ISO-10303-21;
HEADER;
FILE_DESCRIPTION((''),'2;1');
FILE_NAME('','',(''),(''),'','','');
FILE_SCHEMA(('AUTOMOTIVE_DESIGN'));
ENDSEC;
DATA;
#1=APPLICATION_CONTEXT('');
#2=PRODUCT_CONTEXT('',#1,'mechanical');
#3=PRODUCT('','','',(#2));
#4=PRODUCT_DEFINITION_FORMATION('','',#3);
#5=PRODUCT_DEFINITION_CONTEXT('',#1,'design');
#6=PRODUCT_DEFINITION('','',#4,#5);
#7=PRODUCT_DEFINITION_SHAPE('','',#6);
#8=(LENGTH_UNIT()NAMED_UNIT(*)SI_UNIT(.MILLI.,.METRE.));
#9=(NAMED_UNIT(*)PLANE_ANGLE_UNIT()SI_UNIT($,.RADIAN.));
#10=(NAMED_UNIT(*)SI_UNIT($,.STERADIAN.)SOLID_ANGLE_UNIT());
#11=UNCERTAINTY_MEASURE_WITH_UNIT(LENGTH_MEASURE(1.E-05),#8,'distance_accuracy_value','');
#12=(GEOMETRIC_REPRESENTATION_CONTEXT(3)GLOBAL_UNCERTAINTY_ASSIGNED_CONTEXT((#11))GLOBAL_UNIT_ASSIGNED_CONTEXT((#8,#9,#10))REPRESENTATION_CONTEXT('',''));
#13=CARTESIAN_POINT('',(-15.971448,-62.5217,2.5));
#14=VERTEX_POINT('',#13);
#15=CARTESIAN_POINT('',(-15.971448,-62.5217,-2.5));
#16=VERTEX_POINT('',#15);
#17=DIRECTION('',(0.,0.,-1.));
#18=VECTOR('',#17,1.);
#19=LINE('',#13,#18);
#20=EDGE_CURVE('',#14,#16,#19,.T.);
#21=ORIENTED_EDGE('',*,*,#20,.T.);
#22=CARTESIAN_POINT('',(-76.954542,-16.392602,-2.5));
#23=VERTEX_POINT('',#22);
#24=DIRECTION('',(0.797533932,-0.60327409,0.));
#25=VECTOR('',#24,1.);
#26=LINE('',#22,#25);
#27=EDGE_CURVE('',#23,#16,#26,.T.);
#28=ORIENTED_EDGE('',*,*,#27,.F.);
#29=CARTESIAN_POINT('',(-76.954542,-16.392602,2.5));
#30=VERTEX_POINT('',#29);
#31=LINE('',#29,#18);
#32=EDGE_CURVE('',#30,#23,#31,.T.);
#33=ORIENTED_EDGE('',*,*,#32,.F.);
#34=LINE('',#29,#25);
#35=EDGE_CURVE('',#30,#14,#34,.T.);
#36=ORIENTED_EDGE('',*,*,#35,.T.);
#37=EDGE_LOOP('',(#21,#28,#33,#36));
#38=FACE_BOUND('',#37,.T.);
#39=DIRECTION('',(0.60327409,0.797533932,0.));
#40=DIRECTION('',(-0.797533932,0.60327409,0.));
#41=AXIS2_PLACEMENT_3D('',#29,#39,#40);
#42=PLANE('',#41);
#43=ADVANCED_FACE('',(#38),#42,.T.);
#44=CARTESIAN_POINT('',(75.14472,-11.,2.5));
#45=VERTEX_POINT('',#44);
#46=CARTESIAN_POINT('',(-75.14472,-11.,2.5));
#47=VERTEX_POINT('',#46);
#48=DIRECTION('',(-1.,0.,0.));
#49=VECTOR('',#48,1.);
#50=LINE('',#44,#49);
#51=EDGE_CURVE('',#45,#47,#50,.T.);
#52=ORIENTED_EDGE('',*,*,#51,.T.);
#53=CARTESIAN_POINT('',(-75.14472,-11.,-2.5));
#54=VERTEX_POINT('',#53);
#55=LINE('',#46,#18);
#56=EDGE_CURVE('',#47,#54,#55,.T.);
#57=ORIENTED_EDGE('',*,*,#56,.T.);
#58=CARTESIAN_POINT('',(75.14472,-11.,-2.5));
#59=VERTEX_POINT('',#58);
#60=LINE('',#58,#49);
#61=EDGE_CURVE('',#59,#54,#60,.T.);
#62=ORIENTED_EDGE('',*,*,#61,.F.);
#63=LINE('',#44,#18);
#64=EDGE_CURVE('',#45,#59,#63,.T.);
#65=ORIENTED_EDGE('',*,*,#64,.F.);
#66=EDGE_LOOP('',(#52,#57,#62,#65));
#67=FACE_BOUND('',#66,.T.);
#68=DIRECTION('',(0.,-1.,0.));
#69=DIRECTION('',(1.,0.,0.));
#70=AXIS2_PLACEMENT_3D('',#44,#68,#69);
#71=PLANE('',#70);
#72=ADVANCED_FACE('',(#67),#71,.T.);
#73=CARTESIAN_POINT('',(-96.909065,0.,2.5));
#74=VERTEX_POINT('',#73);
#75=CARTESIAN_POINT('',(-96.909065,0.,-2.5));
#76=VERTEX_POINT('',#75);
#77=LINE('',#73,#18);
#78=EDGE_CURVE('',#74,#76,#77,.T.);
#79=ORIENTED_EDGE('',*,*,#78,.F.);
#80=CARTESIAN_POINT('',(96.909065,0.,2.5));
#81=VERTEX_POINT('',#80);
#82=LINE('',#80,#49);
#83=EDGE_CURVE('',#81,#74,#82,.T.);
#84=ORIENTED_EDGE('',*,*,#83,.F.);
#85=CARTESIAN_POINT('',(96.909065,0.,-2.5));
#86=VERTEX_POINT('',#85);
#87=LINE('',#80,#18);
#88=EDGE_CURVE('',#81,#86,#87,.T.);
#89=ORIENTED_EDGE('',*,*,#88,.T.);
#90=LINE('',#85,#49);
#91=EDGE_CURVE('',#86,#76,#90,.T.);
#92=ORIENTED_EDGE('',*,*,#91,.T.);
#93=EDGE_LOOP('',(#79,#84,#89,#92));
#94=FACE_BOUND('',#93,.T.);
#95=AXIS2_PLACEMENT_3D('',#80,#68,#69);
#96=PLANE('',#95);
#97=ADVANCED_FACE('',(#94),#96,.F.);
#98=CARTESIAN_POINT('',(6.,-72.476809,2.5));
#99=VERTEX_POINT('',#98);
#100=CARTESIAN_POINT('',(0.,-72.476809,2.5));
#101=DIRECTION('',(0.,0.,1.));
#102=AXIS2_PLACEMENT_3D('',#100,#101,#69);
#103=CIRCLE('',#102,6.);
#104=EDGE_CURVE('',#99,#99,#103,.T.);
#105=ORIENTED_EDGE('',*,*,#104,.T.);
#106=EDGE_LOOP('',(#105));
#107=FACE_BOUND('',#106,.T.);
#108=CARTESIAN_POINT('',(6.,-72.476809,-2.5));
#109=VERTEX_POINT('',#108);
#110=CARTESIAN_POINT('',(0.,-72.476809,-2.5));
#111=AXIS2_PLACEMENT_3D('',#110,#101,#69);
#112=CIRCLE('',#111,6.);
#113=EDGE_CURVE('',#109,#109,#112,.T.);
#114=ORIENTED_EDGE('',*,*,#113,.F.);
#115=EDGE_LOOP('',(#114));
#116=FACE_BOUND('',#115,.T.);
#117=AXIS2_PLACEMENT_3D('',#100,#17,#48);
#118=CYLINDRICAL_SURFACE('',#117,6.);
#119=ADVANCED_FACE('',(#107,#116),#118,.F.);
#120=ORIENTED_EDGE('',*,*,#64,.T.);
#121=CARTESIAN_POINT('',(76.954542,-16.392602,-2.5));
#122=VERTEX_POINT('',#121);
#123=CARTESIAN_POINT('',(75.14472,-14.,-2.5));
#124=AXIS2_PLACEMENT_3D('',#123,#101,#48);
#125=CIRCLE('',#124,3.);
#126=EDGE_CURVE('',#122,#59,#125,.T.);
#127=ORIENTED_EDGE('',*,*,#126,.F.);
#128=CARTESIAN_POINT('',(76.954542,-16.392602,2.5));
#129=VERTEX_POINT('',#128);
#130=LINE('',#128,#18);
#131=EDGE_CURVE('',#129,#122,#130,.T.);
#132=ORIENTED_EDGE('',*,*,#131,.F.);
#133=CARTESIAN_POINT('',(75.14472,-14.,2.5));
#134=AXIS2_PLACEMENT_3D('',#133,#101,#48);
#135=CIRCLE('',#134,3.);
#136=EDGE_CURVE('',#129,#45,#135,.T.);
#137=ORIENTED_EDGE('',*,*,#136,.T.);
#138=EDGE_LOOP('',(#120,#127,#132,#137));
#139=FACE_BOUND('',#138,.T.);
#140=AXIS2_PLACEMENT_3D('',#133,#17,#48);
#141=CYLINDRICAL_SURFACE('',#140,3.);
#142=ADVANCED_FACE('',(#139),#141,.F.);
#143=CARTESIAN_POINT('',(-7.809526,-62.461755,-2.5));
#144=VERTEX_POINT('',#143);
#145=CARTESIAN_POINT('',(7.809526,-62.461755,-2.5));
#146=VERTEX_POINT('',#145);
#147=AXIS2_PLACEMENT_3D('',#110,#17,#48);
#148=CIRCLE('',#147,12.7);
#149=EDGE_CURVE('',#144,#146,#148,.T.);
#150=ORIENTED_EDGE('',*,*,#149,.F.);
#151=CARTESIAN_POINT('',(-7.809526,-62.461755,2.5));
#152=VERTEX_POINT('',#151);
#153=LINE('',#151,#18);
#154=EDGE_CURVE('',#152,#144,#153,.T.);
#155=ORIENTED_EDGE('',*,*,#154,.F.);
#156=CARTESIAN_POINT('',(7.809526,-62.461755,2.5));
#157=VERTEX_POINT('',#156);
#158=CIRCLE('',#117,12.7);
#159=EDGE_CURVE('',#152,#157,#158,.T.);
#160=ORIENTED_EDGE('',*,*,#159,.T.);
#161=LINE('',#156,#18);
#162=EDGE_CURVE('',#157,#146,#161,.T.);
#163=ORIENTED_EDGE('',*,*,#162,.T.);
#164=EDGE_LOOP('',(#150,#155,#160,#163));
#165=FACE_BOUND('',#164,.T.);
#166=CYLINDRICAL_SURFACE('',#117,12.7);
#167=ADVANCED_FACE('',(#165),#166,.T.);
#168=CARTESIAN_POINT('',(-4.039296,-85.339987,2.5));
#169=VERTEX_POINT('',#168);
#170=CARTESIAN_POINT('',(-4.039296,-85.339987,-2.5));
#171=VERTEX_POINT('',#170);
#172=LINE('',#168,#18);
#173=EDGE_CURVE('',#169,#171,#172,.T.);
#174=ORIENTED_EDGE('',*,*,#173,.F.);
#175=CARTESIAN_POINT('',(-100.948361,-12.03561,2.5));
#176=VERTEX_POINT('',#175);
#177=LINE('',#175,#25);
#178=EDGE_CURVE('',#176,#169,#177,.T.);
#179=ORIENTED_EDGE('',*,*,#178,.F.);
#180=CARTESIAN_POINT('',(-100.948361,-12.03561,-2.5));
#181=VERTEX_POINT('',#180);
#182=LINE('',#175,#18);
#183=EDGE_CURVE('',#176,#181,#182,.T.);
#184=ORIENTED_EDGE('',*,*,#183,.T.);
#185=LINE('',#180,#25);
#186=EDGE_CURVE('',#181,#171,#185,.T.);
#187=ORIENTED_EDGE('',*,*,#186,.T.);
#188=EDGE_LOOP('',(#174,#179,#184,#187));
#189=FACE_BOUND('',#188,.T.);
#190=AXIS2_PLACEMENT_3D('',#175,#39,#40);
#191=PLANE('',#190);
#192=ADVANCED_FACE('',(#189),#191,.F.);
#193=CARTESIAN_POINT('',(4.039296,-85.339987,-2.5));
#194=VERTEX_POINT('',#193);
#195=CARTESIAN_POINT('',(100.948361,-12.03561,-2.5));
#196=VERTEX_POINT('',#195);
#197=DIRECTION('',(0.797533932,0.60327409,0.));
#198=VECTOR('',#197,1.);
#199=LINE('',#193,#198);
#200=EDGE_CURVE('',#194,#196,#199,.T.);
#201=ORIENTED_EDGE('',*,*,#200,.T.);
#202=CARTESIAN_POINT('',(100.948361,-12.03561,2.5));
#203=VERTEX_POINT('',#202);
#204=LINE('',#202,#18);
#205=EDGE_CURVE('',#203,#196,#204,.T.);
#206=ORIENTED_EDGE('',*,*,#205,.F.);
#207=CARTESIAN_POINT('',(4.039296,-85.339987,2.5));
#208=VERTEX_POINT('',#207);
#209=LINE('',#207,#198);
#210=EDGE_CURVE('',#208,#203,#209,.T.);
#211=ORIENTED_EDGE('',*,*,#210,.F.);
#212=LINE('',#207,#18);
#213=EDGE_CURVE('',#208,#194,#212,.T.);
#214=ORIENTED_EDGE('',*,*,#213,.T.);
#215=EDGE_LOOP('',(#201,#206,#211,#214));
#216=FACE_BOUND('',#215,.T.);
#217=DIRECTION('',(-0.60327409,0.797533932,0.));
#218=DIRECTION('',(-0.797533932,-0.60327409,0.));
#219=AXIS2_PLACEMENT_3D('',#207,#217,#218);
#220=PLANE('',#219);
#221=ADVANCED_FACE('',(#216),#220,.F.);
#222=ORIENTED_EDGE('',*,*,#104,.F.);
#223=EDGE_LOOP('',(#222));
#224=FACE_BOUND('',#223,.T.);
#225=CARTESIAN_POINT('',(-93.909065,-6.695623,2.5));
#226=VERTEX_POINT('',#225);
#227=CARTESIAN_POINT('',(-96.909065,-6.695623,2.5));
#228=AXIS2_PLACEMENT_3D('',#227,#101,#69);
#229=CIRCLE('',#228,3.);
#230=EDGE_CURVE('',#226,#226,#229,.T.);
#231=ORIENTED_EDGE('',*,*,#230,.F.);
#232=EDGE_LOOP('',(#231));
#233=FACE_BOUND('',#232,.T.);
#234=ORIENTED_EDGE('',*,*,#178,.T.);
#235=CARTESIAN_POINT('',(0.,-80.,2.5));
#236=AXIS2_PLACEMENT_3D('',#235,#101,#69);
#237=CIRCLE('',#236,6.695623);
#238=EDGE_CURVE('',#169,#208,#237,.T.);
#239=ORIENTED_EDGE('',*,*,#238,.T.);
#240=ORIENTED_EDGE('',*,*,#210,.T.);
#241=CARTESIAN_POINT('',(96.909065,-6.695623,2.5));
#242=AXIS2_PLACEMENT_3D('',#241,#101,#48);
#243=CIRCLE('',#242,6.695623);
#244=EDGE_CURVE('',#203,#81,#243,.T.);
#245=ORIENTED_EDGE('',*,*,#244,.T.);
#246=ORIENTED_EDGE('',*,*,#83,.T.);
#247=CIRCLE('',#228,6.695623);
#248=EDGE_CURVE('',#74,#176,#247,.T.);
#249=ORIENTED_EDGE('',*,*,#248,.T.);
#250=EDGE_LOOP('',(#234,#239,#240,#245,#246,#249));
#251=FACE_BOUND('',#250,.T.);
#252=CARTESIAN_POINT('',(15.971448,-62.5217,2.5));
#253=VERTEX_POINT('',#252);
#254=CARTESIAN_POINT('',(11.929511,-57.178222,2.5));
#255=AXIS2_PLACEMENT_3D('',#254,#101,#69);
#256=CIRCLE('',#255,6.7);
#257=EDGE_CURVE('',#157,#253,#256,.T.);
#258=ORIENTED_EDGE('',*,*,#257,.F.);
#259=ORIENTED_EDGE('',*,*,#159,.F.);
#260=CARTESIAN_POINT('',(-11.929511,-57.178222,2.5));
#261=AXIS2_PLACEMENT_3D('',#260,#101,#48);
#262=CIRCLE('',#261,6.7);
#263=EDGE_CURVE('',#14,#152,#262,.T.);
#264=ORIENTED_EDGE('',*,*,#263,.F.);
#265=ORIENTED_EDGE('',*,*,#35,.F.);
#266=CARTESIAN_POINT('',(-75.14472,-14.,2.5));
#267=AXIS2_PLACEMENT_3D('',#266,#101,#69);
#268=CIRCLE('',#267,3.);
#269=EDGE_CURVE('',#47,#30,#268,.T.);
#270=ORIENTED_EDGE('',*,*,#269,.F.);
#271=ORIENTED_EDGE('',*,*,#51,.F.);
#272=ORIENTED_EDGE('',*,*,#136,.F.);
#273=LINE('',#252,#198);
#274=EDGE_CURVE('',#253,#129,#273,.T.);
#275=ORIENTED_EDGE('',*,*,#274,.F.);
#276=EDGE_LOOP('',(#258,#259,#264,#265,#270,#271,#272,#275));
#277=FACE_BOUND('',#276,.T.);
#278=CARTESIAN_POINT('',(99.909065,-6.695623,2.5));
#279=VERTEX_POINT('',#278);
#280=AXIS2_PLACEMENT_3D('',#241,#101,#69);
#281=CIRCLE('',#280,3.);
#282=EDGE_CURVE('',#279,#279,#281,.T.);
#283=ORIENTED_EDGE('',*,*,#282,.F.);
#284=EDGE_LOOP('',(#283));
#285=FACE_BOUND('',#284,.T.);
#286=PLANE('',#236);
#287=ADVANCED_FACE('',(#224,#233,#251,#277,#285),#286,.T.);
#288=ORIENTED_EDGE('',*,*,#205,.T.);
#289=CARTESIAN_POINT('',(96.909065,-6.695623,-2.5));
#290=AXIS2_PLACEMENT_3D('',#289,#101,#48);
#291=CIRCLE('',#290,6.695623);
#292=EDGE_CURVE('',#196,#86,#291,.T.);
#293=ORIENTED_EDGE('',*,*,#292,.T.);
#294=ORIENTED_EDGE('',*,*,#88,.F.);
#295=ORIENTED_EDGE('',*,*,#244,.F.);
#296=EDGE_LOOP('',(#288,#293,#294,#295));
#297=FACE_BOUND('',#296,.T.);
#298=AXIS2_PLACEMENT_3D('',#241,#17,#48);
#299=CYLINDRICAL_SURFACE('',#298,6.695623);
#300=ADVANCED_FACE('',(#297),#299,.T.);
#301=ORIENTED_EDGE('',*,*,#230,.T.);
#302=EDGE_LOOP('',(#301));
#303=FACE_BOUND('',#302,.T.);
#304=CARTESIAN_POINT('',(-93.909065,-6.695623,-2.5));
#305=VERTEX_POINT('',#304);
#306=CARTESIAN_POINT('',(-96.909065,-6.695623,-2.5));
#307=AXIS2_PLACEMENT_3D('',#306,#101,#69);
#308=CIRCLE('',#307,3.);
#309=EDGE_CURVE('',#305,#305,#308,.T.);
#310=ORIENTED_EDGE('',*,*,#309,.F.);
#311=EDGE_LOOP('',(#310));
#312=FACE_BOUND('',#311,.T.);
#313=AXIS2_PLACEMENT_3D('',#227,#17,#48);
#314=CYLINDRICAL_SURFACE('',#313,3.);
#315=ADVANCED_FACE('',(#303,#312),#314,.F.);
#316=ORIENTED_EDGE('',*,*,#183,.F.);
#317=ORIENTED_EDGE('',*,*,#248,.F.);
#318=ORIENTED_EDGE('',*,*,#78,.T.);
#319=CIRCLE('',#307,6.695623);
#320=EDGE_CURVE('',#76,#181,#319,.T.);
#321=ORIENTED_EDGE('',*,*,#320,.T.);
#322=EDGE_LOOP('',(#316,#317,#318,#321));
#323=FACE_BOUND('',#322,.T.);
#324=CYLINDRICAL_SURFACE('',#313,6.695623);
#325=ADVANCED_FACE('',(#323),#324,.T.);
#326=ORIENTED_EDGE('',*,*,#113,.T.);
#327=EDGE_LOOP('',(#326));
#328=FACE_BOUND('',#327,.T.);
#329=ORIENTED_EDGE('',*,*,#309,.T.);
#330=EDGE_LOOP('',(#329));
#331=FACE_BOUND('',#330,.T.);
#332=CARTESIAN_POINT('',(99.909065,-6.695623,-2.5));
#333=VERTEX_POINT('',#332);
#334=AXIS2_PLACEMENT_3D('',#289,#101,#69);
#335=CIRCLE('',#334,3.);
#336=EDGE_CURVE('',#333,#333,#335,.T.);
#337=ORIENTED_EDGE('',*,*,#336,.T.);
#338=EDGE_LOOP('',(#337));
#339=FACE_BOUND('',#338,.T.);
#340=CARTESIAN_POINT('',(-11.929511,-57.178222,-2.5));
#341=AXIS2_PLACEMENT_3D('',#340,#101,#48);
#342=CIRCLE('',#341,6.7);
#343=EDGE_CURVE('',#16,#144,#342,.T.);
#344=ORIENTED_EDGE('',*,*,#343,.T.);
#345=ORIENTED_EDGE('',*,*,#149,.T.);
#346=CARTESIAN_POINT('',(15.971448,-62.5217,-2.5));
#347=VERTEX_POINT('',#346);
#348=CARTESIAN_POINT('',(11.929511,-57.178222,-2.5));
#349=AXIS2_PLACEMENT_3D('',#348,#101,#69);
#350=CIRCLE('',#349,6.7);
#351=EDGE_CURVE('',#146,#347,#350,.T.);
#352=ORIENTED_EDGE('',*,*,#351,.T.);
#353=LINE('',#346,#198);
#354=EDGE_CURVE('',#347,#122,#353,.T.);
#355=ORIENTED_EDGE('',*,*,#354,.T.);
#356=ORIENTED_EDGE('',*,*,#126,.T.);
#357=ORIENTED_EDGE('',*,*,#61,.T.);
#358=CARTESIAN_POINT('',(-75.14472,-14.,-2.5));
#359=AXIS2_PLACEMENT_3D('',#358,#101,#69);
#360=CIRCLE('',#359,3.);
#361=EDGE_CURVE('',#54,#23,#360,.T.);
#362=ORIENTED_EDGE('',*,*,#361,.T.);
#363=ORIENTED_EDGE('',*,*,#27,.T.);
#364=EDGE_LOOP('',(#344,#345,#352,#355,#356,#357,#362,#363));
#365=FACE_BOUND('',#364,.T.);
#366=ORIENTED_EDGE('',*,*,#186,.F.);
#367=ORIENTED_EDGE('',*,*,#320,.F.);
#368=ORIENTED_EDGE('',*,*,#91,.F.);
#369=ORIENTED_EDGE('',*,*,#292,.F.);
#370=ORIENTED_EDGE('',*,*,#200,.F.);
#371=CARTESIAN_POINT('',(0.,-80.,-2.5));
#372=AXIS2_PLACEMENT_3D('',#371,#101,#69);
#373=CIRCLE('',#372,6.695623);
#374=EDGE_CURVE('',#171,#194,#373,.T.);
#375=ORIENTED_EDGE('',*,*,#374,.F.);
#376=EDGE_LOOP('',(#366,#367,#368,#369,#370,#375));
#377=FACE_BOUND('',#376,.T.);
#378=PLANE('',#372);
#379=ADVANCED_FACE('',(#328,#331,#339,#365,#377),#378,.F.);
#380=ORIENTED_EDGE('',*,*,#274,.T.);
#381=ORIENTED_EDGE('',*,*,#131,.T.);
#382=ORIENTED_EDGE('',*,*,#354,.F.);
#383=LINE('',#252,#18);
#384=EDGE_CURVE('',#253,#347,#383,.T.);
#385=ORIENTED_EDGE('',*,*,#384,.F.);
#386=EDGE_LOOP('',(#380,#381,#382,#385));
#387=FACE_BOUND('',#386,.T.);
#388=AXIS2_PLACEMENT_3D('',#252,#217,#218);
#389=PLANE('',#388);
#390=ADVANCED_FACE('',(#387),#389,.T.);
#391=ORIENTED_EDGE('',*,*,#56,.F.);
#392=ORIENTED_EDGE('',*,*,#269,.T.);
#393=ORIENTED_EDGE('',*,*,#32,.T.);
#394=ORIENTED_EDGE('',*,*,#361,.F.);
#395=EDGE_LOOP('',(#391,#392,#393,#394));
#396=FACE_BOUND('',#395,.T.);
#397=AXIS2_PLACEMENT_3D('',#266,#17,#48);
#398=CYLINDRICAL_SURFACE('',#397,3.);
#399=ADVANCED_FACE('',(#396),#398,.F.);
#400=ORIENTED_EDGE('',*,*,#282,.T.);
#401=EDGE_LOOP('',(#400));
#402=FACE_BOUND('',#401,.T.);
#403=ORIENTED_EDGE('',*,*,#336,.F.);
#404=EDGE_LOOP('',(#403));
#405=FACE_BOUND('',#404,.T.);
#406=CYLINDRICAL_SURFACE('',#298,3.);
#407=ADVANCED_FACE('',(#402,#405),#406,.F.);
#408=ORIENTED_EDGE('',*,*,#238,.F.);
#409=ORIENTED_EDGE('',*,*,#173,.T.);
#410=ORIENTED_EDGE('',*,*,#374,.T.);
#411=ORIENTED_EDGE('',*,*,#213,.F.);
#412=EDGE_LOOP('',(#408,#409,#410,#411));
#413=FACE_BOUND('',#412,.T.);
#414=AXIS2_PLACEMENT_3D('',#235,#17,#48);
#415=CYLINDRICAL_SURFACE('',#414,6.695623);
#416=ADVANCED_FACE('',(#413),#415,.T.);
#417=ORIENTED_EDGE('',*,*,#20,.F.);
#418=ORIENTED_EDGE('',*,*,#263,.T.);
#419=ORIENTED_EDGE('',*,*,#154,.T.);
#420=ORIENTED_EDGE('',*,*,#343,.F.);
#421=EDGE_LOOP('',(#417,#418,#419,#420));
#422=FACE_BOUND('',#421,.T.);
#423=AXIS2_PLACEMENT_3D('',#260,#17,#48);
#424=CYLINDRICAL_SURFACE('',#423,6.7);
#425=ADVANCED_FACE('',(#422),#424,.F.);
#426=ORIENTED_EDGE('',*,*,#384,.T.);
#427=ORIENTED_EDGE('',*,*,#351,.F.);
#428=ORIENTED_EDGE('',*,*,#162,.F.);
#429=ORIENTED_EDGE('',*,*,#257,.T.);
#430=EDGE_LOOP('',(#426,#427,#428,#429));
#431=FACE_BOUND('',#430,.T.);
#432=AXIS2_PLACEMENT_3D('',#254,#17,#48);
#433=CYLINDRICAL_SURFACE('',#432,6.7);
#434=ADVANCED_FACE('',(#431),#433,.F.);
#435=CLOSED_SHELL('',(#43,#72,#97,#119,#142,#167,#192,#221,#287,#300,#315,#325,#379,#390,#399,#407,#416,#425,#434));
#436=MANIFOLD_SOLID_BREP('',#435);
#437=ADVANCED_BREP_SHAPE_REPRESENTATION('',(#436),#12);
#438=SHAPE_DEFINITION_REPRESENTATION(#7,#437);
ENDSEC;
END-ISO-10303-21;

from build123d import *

# Parameters (mm, degrees)
SKETCH1_R           = 3
SKETCH1_R_2         = 6
BOSS_EXTRUDE1_DEPTH = 2.5


with BuildPart() as part:
    # Sketch1 → Boss-Extrude1 (new body, symmetric)
    with BuildSketch(Plane.XY):
        with BuildLine():
            Line((96.909065007, 0), (-96.909065007, 0))
            ThreePointArc((-96.909065007, 0), (-103.256738035, -4.565267366), (-100.94836092, -12.035609666))
            Line((-100.94836092, -12.035609666), (-4.039295913, -85.339986595))
            ThreePointArc((-4.039295913, -85.339986595), (0, -86.695623071), (4.039295913, -85.339986595))
            Line((4.039295913, -85.339986595), (100.94836092, -12.035609666))
            ThreePointArc((100.94836092, -12.035609666), (103.256738035, -4.565267366), (96.909065007, 0))
        make_face()
        with Locations((96.909065007, -6.695623071)):
            Circle(SKETCH1_R, mode=Mode.SUBTRACT)
        with Locations((-96.909065007, -6.695623071)):
            Circle(SKETCH1_R, mode=Mode.SUBTRACT)
        with Locations((0, -72.476809125)):
            Circle(SKETCH1_R_2, mode=Mode.SUBTRACT)
        with BuildLine():
            Line((-76.954542332, -16.392601796), (-15.971447816, -62.521699692))
            ThreePointArc((-15.971447816, -62.521699692), (-11.880304954, -63.878041653), (-7.809525514, -62.461754894))
            ThreePointArc((-7.809525514, -62.461754894), (0, -59.776809125), (7.809525514, -62.461754894))
            ThreePointArc((7.809525514, -62.461754894), (11.880304954, -63.878041653), (15.971447816, -62.521699692))
            Line((15.971447816, -62.521699692), (76.954542332, -16.392601796))
            ThreePointArc((76.954542332, -16.392601796), (77.988819691, -13.045485827), (75.144720063, -11))
            Line((75.144720063, -11), (-75.144720063, -11))
            ThreePointArc((-75.144720063, -11), (-77.988819691, -13.045485827), (-76.954542332, -16.392601796))
        make_face(mode=Mode.SUBTRACT)
    extrude(amount=BOSS_EXTRUDE1_DEPTH, both=True)


solid = part.part
